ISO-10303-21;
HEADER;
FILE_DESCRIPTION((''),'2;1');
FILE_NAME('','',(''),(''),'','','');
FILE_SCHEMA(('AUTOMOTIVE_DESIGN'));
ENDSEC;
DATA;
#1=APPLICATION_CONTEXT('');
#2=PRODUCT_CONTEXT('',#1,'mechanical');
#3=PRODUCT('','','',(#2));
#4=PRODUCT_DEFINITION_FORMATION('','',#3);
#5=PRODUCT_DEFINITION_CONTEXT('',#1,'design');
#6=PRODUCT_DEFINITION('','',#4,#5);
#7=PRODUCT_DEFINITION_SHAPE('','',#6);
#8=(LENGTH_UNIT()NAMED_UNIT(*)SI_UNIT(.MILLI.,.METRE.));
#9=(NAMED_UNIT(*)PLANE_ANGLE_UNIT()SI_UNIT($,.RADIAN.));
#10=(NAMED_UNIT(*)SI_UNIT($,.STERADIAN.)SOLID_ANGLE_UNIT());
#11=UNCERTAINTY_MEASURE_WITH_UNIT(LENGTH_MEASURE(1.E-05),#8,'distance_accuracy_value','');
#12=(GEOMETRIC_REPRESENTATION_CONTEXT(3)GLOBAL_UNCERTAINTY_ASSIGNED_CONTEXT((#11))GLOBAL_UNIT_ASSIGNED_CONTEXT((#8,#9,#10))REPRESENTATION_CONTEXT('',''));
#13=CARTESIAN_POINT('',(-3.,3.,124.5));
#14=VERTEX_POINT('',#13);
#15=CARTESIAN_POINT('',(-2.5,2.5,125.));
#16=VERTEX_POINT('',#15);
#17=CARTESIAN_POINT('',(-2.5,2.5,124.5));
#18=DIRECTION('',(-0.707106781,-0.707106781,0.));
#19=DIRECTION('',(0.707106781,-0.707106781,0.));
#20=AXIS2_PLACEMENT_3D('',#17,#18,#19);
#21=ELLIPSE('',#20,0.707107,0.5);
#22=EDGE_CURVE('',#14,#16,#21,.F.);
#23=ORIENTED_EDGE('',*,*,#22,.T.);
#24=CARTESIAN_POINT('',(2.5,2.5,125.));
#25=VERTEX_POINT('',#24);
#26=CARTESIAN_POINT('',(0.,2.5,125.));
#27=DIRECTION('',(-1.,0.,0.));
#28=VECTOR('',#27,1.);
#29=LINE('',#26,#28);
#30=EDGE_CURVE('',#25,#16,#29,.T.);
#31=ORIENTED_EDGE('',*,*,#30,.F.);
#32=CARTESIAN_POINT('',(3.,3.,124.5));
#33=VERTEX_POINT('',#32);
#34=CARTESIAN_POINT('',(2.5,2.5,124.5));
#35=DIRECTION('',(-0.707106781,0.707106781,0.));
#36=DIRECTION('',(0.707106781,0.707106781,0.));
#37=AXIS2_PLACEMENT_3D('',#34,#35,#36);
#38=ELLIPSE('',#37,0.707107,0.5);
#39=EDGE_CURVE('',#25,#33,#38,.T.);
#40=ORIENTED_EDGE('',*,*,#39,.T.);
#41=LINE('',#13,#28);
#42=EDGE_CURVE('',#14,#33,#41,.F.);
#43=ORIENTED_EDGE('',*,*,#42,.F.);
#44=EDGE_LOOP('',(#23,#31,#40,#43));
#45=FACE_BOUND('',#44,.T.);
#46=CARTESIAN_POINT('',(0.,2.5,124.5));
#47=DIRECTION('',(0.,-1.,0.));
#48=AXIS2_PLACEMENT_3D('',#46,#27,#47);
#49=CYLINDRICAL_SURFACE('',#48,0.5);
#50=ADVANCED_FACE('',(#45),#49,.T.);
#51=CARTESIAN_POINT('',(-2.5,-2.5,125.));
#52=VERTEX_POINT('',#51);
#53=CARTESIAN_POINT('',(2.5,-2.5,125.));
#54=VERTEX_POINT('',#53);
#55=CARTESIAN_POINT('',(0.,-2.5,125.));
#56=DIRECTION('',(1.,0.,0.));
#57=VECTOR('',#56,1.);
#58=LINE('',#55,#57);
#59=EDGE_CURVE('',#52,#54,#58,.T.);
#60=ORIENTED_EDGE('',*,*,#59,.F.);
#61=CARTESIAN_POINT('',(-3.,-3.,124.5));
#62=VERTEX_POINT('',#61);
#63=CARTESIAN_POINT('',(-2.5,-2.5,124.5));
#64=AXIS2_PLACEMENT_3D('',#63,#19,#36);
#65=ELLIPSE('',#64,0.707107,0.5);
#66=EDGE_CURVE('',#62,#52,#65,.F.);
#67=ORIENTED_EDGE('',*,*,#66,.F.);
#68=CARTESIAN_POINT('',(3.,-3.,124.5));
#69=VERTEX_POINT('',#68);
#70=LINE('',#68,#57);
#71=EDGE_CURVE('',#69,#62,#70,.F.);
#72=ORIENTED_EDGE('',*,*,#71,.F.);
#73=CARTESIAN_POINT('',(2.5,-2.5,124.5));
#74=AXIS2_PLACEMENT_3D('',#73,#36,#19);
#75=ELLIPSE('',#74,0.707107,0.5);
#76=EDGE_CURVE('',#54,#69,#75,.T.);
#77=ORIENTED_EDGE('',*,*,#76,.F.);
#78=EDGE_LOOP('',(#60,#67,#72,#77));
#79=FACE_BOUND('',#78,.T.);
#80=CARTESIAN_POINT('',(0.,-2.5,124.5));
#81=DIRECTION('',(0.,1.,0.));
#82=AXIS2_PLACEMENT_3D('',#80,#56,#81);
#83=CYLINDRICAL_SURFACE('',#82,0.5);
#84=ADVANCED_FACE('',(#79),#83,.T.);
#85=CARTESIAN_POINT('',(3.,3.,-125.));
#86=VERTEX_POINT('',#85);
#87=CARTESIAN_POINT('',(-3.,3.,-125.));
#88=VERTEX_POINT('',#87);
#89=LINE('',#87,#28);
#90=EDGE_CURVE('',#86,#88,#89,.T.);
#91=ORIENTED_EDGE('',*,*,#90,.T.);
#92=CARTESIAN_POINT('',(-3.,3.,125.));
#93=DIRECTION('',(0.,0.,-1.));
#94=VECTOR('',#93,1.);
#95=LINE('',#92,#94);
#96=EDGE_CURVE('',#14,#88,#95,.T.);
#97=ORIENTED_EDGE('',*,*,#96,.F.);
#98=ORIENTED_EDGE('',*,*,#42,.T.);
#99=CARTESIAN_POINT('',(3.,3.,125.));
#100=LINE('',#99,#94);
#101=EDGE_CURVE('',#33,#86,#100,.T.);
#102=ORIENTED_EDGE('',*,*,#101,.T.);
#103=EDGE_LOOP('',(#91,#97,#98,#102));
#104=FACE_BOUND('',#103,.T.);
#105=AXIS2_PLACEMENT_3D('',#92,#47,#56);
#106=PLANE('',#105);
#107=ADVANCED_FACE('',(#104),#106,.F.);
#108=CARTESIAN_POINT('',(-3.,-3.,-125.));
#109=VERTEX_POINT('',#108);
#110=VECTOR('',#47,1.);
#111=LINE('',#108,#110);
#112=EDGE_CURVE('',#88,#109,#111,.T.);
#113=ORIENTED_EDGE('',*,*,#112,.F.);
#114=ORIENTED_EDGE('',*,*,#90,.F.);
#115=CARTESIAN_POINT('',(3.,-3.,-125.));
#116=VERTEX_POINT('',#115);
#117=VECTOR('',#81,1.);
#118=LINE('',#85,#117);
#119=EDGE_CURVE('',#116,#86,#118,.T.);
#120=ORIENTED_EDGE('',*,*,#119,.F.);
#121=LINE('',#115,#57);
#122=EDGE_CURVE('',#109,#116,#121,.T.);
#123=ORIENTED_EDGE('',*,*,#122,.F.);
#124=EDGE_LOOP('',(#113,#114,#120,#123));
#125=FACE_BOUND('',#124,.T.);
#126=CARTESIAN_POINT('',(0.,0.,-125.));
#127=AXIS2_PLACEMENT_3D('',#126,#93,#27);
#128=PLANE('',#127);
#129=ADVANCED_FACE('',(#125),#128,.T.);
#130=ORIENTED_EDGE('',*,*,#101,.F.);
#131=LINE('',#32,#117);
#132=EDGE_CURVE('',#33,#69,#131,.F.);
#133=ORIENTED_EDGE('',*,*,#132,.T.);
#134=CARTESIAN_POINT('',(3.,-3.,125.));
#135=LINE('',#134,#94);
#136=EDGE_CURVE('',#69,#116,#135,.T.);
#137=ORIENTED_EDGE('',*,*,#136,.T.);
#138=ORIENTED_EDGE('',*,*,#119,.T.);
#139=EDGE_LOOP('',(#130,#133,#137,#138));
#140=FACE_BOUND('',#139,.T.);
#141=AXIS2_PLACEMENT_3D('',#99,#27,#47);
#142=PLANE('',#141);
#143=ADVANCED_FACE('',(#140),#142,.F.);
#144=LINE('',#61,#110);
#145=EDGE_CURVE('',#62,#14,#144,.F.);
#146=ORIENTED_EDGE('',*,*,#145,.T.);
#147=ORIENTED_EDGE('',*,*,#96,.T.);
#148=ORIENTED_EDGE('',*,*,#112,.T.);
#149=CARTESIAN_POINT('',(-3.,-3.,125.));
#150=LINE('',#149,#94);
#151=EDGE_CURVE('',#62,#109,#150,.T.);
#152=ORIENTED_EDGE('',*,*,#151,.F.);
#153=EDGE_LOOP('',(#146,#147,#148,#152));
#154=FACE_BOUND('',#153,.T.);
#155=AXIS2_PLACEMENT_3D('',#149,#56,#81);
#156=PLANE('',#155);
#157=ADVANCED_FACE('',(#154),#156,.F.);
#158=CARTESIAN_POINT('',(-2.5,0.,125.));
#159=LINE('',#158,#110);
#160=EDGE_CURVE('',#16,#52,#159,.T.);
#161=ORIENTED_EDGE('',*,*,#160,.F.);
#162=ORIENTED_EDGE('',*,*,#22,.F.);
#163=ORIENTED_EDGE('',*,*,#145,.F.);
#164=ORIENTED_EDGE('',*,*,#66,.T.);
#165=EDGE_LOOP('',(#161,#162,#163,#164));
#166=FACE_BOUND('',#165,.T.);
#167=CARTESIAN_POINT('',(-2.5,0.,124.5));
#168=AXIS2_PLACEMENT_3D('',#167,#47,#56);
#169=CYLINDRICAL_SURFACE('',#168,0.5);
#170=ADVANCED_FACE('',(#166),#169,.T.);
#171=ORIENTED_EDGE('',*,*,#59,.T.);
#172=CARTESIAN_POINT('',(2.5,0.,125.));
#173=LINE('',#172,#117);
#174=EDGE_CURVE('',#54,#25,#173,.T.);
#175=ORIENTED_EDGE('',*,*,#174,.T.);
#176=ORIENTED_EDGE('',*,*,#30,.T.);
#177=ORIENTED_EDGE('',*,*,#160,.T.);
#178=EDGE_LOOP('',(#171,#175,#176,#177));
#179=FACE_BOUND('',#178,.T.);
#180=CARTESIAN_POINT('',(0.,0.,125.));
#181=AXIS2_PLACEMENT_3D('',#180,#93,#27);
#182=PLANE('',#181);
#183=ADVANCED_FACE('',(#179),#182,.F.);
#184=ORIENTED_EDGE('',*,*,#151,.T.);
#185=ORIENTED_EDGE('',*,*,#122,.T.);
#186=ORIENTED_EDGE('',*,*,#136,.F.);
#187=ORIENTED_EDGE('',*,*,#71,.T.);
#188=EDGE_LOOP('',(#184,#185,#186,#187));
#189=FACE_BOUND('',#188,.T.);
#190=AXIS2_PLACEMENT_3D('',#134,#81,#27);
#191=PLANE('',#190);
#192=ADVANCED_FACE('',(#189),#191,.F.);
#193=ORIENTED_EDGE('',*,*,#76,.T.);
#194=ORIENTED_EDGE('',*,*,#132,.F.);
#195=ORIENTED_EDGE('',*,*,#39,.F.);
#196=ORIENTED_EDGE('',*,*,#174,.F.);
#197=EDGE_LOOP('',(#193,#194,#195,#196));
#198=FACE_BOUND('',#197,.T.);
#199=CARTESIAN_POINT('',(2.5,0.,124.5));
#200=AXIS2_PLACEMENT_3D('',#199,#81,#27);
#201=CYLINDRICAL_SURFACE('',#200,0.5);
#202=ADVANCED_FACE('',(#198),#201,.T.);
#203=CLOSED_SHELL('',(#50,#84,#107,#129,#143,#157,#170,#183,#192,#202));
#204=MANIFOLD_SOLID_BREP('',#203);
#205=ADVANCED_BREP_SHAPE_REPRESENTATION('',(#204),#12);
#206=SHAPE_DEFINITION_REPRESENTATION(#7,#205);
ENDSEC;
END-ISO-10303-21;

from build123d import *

# Parameters (mm, degrees)
SKETCH3_W           = 6
SKETCH3_H           = 6
BOSS_EXTRUDE1_DEPTH = 125
FILLET1_R           = 0.5


with BuildPart() as part:
    # Sketch3 → Boss-Extrude1 (new, symmetric)
    with BuildSketch(Plane.XY):
        Rectangle(SKETCH3_W, SKETCH3_H)
    extrude(amount=BOSS_EXTRUDE1_DEPTH, both=True)

    # Fillet1
    fillet1_edges = [part.edges().sort_by_distance(p)[0] for p in [
        (3, 0, 125),
        (0, 3, 125),
        (-3, 0, 125),
        (0, -3, 125),
    ]]
    fillet(fillet1_edges, radius=FILLET1_R)


solid = part.part
